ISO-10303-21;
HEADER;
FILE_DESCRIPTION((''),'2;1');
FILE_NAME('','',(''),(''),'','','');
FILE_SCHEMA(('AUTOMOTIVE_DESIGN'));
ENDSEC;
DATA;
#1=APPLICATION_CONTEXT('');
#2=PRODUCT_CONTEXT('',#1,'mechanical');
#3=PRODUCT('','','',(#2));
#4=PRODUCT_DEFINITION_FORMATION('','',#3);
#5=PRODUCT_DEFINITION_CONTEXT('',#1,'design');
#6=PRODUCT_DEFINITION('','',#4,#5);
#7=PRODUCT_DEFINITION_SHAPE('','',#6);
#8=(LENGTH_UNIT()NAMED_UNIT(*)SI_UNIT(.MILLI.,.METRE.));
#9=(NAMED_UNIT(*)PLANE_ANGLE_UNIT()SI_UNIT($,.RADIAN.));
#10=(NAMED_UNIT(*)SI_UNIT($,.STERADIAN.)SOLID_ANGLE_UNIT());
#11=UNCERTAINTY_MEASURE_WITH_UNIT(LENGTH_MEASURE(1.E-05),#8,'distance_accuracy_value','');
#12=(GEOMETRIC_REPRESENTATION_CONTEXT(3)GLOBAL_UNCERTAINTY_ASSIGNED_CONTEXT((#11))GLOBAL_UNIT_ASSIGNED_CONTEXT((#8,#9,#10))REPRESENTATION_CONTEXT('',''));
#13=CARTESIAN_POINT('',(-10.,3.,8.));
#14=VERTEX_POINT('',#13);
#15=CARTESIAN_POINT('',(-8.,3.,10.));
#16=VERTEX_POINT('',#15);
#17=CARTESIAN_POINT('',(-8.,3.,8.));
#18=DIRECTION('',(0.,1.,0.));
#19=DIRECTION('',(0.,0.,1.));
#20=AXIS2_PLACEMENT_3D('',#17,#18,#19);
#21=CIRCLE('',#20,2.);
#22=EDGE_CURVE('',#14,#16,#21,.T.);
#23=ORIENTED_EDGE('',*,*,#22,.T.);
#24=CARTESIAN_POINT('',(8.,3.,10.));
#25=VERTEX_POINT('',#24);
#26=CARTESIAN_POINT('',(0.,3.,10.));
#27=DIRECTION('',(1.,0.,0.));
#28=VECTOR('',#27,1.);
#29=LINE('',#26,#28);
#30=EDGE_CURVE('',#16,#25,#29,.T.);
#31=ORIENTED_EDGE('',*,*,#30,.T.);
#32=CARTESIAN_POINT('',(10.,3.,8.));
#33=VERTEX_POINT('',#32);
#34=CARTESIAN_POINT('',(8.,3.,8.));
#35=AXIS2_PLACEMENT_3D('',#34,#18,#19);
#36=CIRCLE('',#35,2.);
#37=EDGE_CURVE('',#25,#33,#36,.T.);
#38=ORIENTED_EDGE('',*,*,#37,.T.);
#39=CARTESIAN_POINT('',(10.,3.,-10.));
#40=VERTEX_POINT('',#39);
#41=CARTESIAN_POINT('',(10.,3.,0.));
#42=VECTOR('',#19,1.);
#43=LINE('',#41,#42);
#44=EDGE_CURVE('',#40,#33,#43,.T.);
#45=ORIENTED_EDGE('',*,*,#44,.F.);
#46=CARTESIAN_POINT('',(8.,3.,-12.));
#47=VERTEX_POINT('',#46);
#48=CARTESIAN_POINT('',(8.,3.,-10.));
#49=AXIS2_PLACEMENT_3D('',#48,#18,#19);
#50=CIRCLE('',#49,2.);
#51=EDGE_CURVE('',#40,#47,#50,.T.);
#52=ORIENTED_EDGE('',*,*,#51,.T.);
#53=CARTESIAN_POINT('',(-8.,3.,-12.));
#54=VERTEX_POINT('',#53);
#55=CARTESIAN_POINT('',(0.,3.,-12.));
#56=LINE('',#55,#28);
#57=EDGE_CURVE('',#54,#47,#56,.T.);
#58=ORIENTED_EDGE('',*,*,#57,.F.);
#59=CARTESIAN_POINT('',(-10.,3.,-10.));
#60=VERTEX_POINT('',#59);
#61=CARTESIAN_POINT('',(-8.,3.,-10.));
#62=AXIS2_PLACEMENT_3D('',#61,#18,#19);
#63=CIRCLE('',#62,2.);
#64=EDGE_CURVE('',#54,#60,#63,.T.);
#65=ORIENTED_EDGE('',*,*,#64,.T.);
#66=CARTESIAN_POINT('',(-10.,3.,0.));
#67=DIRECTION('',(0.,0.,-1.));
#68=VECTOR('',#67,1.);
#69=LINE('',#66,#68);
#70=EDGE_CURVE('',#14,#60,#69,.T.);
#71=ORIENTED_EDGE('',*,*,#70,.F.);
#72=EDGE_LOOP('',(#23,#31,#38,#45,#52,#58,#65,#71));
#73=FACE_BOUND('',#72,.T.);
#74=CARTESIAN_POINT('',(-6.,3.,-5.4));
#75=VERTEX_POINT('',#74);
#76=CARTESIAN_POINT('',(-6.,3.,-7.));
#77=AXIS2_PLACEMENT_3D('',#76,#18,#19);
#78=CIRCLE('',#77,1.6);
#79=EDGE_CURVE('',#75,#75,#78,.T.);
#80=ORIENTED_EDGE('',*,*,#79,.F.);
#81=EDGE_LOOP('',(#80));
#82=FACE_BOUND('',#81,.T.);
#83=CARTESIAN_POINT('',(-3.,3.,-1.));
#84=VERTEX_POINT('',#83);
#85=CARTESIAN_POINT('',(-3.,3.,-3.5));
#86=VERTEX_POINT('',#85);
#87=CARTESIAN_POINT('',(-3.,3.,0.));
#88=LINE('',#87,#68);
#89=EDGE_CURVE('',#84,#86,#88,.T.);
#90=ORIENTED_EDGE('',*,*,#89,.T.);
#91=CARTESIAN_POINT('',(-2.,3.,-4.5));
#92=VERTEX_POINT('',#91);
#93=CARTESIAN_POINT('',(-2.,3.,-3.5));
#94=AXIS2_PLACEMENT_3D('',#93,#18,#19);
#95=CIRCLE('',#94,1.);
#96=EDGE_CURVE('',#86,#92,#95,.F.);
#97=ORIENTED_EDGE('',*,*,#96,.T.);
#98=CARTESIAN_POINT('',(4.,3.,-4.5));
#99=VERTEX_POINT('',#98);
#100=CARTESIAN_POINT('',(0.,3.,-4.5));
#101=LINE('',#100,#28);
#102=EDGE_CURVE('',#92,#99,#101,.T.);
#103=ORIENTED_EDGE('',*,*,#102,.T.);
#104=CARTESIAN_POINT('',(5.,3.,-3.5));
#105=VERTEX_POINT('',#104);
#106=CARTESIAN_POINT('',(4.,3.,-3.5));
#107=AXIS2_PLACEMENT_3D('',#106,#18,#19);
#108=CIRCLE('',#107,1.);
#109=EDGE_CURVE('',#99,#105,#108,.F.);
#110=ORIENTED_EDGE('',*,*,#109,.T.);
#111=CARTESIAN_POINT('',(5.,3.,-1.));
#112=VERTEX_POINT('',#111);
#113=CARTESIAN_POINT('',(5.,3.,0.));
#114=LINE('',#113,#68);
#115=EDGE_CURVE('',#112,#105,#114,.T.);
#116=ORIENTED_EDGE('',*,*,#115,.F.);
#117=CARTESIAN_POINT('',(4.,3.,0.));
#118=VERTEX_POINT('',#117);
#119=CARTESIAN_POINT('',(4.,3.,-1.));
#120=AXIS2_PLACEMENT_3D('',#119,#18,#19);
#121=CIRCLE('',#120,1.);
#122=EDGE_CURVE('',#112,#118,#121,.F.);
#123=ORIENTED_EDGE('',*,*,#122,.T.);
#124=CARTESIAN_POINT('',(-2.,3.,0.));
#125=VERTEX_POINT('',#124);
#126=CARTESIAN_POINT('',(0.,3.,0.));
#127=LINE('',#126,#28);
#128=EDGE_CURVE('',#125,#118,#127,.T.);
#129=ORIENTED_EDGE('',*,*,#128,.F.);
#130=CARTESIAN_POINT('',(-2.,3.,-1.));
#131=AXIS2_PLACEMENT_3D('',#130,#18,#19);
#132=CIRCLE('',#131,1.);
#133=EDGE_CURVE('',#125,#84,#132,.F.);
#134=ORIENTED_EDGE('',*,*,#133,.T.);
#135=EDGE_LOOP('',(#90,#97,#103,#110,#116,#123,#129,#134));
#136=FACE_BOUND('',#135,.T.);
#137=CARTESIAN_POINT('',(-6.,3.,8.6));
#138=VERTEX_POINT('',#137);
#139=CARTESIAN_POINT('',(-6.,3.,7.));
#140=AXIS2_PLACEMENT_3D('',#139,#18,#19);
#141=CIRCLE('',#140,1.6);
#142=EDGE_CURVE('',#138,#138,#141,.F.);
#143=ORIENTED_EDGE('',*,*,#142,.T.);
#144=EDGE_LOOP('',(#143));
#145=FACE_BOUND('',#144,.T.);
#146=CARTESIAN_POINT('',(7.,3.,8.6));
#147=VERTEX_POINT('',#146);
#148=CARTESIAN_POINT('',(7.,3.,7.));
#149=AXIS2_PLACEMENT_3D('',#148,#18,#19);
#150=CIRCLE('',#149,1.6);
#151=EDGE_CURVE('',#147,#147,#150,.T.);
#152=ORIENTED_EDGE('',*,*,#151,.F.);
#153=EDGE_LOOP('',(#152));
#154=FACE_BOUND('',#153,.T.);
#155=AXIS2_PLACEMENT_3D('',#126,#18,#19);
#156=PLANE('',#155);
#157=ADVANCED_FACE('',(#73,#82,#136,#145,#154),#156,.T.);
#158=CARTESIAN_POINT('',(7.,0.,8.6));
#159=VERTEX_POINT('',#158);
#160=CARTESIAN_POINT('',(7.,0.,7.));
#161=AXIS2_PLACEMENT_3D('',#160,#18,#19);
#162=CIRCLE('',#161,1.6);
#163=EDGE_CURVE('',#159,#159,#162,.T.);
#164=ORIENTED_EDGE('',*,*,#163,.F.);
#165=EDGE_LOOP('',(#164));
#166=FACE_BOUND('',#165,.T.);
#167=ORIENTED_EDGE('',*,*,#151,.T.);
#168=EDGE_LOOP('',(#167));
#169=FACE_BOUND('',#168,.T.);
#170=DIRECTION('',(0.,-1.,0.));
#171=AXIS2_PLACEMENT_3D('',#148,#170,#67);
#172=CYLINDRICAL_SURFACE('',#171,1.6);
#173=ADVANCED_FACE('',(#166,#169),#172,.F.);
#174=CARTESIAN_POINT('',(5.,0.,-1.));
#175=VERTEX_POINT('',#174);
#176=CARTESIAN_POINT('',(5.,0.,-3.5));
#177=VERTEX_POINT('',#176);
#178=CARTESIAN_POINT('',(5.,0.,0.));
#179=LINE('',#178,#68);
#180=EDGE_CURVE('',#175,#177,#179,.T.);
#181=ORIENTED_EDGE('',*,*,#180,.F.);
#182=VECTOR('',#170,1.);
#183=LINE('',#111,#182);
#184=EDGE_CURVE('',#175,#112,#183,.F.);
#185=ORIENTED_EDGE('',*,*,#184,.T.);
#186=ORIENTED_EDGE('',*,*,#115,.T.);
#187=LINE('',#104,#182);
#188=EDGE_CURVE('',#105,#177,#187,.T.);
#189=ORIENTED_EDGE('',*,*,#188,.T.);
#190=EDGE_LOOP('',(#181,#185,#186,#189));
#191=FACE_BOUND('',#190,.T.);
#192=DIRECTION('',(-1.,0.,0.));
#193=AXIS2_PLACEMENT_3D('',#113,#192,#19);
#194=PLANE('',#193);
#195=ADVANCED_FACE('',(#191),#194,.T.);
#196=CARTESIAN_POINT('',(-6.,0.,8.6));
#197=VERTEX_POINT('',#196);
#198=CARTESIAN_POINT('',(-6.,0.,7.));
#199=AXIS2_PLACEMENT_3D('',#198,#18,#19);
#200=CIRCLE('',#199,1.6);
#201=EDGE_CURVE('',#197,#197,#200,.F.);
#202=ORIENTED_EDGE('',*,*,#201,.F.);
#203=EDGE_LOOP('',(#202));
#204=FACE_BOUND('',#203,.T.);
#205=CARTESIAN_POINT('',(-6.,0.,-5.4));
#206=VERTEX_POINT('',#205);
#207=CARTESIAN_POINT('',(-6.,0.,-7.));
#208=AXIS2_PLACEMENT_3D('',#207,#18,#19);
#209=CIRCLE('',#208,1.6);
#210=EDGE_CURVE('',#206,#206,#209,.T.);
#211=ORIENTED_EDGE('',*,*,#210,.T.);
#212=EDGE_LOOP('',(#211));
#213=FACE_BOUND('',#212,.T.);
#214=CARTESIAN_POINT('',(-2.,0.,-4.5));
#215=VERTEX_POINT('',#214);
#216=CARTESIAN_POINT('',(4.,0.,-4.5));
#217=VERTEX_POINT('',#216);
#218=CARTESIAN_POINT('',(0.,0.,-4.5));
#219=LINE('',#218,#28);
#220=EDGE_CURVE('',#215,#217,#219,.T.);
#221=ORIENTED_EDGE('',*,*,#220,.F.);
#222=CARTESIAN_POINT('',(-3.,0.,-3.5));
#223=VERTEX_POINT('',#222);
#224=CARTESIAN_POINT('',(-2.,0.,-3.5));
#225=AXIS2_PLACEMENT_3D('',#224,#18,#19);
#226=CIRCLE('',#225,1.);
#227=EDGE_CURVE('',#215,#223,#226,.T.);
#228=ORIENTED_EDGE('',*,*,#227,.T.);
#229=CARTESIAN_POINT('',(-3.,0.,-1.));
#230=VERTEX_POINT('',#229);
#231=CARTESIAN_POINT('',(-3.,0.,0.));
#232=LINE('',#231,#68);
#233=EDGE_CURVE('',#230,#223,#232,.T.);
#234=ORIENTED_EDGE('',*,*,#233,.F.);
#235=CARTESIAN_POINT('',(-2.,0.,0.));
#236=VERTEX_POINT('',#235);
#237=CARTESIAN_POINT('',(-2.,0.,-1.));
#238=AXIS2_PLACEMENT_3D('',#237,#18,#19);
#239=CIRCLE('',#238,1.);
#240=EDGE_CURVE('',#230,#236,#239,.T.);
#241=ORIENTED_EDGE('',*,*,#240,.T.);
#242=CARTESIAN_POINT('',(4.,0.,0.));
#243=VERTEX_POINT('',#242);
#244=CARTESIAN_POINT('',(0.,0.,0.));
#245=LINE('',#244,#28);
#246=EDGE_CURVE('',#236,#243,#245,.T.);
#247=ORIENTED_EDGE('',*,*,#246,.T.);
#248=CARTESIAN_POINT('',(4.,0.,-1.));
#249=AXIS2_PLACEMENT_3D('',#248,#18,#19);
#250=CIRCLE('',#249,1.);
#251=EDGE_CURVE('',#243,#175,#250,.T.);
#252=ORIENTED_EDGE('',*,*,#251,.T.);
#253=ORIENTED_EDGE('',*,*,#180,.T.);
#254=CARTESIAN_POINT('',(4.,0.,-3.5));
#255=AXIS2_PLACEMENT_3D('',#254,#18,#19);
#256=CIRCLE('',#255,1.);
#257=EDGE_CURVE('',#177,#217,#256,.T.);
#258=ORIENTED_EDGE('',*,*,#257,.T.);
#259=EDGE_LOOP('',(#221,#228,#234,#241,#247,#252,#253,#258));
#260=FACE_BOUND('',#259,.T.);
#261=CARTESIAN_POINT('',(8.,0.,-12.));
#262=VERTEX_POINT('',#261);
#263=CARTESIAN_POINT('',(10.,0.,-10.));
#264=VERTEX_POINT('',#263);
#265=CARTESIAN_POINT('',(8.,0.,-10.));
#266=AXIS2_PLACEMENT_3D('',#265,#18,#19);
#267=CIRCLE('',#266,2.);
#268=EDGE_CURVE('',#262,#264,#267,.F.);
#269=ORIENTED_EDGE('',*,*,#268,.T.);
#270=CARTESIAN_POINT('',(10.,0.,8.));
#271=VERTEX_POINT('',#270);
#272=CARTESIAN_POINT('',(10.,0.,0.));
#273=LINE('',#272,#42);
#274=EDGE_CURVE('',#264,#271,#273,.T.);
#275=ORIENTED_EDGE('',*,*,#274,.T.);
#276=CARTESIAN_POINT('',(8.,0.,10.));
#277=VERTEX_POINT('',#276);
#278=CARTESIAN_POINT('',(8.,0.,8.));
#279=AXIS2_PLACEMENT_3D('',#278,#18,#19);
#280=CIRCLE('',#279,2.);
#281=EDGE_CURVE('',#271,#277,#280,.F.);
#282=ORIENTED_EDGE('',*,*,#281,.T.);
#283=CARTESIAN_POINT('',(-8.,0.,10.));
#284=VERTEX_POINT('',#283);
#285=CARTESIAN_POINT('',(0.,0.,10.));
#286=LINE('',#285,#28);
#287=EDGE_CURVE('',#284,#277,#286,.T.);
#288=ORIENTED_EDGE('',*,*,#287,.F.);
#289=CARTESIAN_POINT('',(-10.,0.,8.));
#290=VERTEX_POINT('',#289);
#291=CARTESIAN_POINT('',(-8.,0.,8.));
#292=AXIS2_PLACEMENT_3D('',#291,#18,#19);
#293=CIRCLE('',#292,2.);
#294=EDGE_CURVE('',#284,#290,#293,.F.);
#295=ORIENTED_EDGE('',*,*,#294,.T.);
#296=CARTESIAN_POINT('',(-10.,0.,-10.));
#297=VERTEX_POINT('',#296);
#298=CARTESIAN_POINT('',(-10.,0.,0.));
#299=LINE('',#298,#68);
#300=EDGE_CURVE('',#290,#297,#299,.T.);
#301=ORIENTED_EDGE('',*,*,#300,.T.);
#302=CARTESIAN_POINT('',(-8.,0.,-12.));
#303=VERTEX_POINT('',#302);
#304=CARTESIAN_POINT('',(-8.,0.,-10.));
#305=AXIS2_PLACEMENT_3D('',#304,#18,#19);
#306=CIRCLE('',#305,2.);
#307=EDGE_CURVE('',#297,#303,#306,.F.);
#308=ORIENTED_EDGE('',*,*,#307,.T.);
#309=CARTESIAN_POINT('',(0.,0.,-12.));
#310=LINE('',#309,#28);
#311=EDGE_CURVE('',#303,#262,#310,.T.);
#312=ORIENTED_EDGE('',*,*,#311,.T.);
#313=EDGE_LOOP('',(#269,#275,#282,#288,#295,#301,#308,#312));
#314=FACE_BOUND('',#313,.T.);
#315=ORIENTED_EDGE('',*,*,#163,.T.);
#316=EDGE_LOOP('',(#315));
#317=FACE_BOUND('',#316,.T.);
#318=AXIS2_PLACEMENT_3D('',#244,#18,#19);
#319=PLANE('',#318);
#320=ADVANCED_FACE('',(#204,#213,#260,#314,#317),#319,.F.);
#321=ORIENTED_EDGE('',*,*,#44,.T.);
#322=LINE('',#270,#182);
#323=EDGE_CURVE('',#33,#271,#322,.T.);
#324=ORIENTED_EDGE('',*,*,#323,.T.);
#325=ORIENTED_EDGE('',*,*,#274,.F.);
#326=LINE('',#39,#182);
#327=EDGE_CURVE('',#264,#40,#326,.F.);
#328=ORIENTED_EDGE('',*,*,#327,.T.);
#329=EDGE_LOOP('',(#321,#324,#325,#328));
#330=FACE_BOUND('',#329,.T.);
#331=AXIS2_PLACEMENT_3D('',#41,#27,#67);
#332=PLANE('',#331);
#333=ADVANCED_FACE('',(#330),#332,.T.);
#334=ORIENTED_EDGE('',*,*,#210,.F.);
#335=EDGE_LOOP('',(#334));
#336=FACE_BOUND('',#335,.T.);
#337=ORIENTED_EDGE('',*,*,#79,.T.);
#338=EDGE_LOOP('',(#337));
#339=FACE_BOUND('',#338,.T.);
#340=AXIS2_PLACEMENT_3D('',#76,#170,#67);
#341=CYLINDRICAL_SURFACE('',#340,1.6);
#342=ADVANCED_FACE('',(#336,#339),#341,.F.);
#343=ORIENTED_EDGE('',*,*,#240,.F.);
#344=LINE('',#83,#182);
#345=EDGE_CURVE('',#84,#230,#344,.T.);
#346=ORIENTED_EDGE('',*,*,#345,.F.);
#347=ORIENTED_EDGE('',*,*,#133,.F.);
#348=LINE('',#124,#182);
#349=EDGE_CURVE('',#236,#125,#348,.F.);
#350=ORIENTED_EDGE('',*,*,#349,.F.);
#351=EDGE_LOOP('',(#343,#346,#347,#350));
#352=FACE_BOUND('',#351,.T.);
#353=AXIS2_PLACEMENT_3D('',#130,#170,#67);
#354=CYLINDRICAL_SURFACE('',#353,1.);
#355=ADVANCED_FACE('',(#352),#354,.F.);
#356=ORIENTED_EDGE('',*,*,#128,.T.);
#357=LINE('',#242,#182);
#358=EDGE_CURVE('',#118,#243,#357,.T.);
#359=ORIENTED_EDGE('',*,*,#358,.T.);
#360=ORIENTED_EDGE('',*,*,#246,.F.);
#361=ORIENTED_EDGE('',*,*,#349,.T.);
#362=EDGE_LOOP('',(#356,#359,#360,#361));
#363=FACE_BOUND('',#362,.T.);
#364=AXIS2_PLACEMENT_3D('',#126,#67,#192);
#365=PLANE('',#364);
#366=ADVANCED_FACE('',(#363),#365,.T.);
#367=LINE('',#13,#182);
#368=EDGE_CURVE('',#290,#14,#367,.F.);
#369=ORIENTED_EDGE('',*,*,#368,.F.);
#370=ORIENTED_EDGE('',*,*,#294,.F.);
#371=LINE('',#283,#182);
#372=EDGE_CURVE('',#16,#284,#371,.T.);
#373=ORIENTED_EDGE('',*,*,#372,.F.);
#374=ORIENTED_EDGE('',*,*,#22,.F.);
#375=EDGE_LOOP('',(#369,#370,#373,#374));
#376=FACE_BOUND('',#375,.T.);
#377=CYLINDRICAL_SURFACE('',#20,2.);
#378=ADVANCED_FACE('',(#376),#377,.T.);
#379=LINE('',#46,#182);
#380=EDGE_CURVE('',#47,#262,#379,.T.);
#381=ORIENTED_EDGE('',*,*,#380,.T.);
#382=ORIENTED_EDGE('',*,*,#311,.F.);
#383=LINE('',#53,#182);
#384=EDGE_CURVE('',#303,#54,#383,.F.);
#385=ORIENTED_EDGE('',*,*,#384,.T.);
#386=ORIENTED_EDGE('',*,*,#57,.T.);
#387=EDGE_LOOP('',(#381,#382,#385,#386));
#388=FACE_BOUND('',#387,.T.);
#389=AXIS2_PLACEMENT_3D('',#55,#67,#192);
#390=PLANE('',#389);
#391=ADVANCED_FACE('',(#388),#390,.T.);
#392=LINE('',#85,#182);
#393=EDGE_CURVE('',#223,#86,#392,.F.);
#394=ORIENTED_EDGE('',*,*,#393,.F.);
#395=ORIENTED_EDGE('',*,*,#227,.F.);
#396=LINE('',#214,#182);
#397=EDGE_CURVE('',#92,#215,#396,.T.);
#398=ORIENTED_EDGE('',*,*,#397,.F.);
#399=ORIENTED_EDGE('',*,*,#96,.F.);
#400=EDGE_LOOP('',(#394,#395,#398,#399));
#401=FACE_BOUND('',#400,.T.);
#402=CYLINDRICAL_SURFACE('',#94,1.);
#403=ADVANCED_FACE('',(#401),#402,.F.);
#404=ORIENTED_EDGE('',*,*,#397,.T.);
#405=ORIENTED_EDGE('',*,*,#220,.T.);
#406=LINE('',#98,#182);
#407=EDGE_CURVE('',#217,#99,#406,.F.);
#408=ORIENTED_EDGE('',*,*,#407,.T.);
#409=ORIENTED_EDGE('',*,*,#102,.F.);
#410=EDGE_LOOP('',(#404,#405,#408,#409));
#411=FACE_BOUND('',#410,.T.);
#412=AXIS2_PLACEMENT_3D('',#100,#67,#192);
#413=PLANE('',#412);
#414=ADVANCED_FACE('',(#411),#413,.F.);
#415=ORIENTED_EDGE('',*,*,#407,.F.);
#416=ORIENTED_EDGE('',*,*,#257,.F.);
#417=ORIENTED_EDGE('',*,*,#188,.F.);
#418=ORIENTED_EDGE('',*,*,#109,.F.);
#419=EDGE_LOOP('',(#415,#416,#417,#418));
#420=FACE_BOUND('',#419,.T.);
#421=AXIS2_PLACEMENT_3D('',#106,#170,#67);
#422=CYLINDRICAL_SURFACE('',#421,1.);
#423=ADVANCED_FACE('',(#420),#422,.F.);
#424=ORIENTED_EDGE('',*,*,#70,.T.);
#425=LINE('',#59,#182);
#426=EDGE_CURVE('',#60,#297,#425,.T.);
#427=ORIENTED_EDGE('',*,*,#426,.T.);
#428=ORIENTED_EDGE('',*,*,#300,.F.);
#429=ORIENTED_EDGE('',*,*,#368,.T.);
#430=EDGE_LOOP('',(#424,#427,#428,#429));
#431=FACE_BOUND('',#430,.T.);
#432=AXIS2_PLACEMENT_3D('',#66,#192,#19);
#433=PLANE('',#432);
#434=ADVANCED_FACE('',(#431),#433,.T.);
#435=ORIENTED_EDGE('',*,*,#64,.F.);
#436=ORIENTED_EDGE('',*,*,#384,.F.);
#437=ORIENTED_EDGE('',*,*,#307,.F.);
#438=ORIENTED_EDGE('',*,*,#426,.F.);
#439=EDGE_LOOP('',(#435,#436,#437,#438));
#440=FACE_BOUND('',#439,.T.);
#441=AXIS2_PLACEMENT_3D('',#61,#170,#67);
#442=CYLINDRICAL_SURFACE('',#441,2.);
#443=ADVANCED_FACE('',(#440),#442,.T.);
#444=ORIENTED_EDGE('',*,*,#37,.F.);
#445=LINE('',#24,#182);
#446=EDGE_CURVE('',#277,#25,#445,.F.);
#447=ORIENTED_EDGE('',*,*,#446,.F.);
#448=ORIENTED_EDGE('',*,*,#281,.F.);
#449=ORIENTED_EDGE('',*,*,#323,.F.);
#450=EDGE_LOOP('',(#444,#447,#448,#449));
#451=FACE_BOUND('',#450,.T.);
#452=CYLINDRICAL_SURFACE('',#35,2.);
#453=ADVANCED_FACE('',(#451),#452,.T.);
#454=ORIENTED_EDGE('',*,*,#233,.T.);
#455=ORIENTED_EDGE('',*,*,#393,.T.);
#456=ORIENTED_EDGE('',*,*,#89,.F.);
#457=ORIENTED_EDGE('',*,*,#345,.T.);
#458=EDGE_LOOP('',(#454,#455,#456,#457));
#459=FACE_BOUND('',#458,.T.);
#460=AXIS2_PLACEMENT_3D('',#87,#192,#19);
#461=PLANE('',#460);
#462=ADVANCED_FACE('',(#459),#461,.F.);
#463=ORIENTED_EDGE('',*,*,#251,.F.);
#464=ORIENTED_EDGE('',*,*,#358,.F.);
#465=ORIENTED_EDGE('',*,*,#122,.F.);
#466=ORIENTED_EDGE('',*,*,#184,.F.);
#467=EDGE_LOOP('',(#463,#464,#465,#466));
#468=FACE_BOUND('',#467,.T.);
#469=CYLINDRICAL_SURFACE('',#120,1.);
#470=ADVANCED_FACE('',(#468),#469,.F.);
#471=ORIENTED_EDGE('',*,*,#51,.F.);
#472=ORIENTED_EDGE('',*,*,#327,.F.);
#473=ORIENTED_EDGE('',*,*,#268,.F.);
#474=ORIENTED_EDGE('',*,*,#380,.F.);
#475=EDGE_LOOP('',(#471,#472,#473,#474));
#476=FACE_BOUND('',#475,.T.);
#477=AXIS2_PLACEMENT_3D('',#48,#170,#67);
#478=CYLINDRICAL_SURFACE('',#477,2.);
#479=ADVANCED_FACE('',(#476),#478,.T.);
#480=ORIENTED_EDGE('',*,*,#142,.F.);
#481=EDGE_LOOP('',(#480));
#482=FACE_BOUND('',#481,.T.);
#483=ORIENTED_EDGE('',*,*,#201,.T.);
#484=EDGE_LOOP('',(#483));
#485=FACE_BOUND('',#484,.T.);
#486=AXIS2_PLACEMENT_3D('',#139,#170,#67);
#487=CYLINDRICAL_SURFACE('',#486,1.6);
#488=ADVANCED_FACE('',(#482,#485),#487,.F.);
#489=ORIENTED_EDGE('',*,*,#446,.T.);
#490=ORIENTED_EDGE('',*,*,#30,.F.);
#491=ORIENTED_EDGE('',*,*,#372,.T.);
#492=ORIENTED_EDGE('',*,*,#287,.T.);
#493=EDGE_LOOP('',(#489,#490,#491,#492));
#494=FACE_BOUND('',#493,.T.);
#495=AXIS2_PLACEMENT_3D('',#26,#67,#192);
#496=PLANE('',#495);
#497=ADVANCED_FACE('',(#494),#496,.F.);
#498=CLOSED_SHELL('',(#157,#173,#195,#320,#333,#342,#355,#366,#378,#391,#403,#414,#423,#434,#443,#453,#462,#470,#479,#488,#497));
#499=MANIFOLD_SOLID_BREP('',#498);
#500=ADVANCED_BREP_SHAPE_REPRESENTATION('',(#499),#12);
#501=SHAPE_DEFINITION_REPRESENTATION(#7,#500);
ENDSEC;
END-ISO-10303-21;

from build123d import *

# Parameters (mm, degrees)
SKETCH_2_W      = 20
SKETCH_2_H      = 22
SKETCH_2_R      = 1.6
SKETCH_2_W_2    = 8
SKETCH_2_H_2    = 4.5
EXTRUDE_1_DEPTH = 3
FILLET_1_R      = 2
FILLET_2_R      = 1


with BuildPart() as part:
    # 草图2 → 凸台-拉伸1 (new body)
    with BuildSketch(Plane(origin=(0, 0, 0), x_dir=(1, 0, 0), z_dir=(0, 1, 0))):
        with Locations((0, 1)):
            Rectangle(SKETCH_2_W, SKETCH_2_H)
        with Locations(Location((-6, -7, 0), (0, 0, 270))):
            Circle(SKETCH_2_R, mode=Mode.SUBTRACT)
        with Locations(Location((7, -7, 0), (0, 0, 270))):
            Circle(SKETCH_2_R, mode=Mode.SUBTRACT)
        with Locations(Location((-6, 7, 0), (0, 0, 270))):
            Circle(SKETCH_2_R, mode=Mode.SUBTRACT)
        with Locations((1, 2.25)):
            Rectangle(SKETCH_2_W_2, SKETCH_2_H_2, mode=Mode.SUBTRACT)
    extrude(amount=EXTRUDE_1_DEPTH)

    # 圆角1
    fillet_1_edges = [part.edges().sort_by_distance(p)[0] for p in [
        (10, 1.5, 10),
        (-10, 1.5, 10),
        (-10, 1.5, -12),
        (10, 1.5, -12),
    ]]
    fillet(fillet_1_edges, radius=FILLET_1_R)

    # 圆角2
    fillet_2_edges = [part.edges().sort_by_distance(p)[0] for p in [
        (5, 1.5, -4.5),
        (-3, 1.5, -4.5),
        (-3, 1.5, 0),
        (5, 1.5, 0),
    ]]
    fillet(fillet_2_edges, radius=FILLET_2_R)


solid = part.part
